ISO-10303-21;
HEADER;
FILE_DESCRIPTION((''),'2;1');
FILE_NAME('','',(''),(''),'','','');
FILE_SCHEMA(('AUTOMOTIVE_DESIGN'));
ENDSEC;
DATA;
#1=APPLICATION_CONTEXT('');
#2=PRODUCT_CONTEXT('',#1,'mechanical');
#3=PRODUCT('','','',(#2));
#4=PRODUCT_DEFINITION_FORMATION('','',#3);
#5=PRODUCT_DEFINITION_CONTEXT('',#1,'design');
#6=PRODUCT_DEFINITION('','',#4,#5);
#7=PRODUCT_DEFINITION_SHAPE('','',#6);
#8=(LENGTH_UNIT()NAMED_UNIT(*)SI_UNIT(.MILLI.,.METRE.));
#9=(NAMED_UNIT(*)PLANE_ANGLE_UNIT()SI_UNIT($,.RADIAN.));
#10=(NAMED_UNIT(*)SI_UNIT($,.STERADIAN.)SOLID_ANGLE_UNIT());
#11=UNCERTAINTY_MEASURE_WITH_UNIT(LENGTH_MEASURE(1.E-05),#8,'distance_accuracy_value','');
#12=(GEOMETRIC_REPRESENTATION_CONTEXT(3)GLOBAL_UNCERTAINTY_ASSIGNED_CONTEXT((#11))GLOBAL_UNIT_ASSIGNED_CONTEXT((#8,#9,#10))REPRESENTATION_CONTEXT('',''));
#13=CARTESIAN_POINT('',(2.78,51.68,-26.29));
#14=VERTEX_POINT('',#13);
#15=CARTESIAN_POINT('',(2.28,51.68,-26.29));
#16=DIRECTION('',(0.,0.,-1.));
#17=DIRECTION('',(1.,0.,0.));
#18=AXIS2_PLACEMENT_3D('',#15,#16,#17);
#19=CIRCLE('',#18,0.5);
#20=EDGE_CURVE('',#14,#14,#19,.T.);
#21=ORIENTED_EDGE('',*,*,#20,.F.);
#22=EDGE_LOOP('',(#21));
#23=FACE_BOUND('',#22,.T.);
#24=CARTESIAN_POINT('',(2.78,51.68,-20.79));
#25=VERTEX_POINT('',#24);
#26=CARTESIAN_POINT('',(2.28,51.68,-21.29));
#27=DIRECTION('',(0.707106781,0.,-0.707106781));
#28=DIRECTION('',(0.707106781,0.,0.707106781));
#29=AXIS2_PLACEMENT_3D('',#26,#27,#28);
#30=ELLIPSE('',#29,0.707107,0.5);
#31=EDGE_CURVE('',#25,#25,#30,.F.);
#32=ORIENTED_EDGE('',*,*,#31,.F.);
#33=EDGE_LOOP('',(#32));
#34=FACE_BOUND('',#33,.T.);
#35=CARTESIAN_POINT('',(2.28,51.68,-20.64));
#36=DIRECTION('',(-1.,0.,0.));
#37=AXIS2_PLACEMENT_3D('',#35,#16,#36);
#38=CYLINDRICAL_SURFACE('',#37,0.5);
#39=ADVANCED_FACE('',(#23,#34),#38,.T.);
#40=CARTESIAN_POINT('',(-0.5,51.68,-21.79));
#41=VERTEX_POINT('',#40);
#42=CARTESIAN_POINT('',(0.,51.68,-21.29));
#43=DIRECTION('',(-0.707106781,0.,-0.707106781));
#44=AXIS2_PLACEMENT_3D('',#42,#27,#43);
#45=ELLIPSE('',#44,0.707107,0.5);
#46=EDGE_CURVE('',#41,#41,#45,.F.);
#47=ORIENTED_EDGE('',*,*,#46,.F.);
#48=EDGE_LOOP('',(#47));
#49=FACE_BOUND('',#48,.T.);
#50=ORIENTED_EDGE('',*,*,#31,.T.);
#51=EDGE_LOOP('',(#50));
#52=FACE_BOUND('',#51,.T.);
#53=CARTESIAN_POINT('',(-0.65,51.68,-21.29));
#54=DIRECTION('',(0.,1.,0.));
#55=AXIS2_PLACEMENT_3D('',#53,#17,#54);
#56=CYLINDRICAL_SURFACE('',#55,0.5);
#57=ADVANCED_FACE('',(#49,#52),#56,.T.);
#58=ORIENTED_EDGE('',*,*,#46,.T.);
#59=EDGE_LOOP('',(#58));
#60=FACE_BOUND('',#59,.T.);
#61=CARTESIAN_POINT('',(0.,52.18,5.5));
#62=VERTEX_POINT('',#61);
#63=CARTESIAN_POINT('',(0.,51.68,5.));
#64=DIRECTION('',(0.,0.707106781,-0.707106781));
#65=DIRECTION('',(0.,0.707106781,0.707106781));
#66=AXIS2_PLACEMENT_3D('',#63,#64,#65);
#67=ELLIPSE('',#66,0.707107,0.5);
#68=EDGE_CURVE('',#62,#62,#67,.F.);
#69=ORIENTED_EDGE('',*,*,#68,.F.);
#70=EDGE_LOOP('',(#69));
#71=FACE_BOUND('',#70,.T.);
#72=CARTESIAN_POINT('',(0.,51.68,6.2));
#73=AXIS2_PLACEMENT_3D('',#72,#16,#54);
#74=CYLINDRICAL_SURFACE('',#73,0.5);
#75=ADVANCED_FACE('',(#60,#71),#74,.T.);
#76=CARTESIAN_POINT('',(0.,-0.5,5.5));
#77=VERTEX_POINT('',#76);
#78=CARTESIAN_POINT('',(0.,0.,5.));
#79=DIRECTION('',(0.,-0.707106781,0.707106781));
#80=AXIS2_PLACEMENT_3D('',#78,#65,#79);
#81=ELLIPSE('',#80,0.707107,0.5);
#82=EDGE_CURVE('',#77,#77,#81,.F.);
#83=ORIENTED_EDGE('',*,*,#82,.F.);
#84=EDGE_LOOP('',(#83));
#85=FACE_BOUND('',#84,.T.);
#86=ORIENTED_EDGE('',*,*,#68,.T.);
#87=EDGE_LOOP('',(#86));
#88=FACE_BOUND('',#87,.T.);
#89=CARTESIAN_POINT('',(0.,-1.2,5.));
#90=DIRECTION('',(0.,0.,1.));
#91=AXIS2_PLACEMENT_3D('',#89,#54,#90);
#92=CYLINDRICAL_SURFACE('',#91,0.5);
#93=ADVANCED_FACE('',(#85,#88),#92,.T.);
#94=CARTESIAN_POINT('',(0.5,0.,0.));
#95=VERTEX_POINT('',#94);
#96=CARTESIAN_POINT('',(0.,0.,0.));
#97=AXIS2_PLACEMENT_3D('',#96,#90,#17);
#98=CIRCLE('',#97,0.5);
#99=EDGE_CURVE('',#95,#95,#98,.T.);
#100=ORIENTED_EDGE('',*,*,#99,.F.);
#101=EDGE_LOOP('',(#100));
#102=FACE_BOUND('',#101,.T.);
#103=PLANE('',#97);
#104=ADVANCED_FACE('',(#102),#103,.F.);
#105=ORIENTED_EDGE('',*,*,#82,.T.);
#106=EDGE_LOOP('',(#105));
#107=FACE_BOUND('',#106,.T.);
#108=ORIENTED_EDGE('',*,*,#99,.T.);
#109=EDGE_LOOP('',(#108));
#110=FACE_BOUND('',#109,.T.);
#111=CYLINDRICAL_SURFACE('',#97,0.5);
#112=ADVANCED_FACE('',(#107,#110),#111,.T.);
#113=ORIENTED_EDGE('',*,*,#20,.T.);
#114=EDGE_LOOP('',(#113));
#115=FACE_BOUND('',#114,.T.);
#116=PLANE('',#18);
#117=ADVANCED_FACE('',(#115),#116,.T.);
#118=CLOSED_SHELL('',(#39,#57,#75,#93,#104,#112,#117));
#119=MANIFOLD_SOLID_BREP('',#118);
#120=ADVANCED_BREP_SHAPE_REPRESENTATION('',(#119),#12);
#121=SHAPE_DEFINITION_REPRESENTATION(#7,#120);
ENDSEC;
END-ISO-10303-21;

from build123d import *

# Parameters (mm, degrees)
ESQUISSE1_R = 0.5


with BuildPart() as part:
    # Balayage1: sweep along a curve in space
    with BuildLine() as balayage1_path:
        Line((0, 0, 0), (0, 0, 5))
        Line((0, 0, 5), (0, 51.68, 5))
        Line((0, 51.68, 5), (0, 51.68, -21.29))
        Line((0, 51.68, -21.29), (2.28, 51.68, -21.29))
        Line((2.28, 51.68, -21.29), (2.28, 51.68, -26.29))
    # Esquisse1 → Balayage1 (sweep)
    with BuildSketch(Plane(origin=(0, 0, 0), x_dir=(0, 1, 0), z_dir=(0, 0, 1))):
        Circle(ESQUISSE1_R)
    sweep(path=balayage1_path.line, transition=Transition.RIGHT)


solid = part.part
